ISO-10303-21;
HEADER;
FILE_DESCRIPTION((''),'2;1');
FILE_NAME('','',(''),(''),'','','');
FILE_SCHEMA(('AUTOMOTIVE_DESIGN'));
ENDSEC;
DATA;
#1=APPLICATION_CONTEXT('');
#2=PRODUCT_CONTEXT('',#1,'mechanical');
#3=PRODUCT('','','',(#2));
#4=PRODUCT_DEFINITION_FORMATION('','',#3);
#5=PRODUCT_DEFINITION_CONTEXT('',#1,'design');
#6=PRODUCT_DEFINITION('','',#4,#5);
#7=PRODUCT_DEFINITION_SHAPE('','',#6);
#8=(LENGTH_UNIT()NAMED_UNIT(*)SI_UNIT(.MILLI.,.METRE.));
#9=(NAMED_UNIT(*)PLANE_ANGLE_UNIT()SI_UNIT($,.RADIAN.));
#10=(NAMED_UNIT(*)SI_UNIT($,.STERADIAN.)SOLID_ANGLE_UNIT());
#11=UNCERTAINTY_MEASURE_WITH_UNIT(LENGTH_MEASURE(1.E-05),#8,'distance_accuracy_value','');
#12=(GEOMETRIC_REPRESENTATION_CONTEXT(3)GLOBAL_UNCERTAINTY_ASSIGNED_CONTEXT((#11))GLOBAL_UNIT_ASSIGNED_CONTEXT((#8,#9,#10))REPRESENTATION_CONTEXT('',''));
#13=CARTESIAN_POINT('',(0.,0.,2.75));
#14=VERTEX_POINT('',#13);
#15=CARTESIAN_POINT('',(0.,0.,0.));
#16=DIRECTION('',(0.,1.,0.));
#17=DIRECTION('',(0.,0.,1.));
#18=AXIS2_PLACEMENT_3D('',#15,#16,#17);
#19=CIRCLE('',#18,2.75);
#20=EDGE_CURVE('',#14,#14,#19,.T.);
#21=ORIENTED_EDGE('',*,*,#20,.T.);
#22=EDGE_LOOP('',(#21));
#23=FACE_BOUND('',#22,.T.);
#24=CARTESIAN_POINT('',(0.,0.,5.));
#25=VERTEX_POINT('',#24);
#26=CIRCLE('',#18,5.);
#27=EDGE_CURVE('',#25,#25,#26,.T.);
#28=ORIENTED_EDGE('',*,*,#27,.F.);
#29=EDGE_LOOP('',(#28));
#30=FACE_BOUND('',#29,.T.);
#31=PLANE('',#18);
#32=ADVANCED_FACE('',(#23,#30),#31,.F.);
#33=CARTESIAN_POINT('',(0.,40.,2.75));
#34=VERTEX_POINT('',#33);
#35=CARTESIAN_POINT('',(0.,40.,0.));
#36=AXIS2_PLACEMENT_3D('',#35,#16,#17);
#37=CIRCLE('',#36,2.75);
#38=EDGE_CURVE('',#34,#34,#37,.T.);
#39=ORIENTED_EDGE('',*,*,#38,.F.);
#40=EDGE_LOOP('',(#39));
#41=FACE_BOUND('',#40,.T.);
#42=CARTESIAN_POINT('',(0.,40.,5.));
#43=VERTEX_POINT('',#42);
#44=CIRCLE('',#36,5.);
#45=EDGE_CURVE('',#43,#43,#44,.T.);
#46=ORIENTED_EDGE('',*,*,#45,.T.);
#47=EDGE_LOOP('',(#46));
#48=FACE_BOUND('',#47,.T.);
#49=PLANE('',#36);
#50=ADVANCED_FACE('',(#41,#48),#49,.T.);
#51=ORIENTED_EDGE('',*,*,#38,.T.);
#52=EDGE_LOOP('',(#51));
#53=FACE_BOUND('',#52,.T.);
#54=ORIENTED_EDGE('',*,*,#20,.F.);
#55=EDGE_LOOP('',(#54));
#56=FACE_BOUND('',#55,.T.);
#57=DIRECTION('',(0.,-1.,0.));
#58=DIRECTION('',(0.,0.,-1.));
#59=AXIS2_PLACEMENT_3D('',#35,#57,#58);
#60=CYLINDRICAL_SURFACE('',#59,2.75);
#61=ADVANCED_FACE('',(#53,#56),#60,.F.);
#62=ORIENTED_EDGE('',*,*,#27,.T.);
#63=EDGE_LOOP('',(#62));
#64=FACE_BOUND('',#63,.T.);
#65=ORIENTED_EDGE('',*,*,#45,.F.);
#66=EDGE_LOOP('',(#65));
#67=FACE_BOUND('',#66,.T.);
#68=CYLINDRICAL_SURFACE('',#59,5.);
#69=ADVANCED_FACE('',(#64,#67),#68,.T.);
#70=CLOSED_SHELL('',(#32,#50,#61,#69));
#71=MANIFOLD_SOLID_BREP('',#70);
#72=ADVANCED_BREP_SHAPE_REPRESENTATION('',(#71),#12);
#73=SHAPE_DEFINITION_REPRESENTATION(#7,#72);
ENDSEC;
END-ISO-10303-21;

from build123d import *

# Parameters (mm, degrees)
SKIZZE1_R                       = 5
SKIZZE1_R_2                     = 2.75
AUFSATZ_LINEAR_AUSTRAGEN1_DEPTH = 40


with BuildPart() as part:
    # Skizze1 → Aufsatz-Linear austragen1 (new body)
    with BuildSketch(Plane(origin=(0, 0, 0), x_dir=(1, 0, 0), z_dir=(0, 1, 0))):
        with Locations(Location((0, 0, 0), (0, 0, 270))):
            Circle(SKIZZE1_R)
        with Locations(Location((0, 0, 0), (0, 0, 270))):
            Circle(SKIZZE1_R_2, mode=Mode.SUBTRACT)
    extrude(amount=AUFSATZ_LINEAR_AUSTRAGEN1_DEPTH)


solid = part.part
